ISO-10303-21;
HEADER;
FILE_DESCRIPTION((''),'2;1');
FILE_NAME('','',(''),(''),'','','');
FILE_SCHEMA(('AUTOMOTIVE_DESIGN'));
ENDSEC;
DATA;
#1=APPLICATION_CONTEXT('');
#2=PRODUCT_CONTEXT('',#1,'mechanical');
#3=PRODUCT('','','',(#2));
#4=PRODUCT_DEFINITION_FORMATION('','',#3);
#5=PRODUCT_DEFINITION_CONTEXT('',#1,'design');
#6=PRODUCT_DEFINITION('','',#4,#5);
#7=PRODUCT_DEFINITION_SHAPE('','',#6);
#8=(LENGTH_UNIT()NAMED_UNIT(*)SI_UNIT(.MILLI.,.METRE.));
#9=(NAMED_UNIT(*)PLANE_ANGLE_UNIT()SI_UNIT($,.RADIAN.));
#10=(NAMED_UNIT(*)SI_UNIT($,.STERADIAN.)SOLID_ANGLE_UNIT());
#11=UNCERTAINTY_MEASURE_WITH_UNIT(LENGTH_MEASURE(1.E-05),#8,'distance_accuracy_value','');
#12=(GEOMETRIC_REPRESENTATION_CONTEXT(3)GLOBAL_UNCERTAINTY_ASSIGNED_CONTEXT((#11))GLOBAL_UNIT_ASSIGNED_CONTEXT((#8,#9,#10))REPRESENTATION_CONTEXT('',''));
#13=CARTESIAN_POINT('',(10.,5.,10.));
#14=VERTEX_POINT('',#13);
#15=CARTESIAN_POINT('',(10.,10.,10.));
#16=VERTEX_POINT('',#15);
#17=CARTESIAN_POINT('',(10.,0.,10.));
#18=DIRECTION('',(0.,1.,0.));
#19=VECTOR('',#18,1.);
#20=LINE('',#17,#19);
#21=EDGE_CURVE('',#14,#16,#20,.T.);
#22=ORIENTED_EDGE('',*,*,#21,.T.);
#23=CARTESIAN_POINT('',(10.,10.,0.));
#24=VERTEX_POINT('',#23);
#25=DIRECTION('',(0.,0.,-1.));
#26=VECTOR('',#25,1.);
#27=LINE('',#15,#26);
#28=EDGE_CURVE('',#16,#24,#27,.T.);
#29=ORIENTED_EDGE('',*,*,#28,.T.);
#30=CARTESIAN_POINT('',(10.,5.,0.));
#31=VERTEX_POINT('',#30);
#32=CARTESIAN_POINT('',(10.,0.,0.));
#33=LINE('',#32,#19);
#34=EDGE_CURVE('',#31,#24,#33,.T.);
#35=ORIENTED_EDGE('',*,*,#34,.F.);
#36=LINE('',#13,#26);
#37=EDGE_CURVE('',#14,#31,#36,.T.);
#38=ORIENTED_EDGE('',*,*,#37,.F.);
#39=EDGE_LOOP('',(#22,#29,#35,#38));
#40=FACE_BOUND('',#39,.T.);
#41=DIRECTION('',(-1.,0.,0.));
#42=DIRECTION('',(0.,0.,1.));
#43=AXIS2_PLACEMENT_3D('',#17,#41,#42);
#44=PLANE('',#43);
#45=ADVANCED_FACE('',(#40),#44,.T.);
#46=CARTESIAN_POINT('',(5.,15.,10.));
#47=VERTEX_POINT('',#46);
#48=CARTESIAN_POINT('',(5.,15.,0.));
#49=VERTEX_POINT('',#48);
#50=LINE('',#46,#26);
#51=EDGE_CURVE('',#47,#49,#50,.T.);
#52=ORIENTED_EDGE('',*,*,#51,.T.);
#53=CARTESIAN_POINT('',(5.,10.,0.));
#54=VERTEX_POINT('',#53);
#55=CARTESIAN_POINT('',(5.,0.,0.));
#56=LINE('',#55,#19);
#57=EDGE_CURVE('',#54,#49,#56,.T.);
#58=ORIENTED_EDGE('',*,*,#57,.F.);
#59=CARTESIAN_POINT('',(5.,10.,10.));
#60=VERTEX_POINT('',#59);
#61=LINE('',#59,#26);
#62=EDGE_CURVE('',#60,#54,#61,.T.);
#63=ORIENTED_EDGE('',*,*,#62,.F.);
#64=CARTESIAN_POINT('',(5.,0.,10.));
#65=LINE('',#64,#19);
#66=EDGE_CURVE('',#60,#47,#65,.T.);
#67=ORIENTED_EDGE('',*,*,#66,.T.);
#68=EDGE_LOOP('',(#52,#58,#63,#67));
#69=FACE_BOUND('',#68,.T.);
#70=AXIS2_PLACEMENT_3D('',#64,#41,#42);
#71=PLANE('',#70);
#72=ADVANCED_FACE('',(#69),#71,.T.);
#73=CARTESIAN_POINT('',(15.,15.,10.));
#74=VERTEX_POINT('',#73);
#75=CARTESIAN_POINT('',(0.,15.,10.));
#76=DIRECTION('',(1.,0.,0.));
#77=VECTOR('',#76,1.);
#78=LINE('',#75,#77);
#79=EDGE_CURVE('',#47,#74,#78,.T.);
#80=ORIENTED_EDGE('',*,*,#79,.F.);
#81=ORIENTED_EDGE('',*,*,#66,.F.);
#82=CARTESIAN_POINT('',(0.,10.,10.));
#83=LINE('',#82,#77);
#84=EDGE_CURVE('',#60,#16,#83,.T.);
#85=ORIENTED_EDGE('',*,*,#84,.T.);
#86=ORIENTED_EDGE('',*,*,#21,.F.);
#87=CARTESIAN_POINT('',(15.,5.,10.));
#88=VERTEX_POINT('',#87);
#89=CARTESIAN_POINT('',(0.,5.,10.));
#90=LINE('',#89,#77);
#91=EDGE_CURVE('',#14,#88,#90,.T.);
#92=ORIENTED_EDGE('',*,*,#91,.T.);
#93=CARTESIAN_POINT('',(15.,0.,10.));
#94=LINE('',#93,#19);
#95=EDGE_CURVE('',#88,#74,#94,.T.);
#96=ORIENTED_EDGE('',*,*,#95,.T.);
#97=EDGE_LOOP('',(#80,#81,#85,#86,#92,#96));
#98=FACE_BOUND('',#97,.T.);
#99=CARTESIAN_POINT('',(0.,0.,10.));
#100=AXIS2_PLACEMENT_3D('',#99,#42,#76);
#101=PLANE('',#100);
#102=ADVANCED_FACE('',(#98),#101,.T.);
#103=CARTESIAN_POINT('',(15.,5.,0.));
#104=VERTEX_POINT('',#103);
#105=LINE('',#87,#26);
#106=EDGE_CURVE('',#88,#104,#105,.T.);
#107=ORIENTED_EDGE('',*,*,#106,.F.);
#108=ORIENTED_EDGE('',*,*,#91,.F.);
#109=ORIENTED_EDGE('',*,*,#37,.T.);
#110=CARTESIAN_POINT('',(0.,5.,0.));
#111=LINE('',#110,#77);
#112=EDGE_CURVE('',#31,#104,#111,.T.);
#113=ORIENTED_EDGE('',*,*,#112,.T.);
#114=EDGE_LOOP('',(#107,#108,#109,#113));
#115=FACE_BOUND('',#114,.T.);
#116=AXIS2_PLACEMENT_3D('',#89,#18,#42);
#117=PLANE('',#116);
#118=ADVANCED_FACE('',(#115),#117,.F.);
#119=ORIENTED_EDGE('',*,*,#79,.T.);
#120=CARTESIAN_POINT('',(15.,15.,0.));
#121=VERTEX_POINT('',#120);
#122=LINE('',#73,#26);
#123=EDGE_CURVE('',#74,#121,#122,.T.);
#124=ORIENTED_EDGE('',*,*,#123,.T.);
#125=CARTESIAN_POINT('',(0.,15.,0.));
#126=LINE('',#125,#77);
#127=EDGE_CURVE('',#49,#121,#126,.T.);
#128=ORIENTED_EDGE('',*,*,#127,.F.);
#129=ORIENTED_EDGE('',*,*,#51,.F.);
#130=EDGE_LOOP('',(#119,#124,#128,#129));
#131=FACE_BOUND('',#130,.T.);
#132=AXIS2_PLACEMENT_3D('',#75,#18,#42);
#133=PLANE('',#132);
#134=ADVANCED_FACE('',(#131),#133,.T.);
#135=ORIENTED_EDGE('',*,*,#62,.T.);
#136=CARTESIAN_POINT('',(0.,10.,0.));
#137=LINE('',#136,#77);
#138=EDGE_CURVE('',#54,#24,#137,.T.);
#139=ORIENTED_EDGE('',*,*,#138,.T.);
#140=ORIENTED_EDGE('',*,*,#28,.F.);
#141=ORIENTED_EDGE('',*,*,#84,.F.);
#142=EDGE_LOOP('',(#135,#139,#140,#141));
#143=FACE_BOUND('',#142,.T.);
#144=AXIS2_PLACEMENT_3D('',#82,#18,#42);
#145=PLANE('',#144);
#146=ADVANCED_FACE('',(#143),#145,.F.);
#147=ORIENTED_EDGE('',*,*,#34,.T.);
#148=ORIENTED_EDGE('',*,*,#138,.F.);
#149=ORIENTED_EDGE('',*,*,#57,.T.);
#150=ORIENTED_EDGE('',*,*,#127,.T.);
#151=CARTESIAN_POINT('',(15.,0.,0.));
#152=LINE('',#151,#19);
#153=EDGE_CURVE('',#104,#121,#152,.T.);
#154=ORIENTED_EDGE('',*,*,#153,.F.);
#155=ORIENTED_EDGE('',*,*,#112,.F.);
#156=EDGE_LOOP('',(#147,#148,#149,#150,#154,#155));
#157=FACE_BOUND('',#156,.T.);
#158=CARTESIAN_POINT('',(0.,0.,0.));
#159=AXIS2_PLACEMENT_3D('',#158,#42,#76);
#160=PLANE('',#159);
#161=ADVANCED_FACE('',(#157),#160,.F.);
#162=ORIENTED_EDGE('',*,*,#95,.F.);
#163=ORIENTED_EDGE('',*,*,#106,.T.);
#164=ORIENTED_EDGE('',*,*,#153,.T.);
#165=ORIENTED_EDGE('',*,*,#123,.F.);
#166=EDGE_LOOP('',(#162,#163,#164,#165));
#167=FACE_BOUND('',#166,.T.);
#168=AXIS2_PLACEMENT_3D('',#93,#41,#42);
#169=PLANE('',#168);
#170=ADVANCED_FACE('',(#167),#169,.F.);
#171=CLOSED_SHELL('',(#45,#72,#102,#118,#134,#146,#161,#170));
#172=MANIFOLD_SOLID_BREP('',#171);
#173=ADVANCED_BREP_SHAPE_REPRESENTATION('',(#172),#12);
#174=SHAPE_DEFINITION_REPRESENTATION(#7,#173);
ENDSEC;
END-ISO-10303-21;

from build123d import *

# Parameters (mm, degrees)
SELECTIONEXTRUDE_DEPTH = 10


with BuildPart() as part:
    # SelectionSeed → SelectionExtrude (new body)
    with BuildSketch(Plane.XY):
        Polygon((10, 10), (10, 5), (15, 5), (15, 15), (5, 15), (5, 10), align=None)
    extrude(amount=SELECTIONEXTRUDE_DEPTH)


solid = part.part
